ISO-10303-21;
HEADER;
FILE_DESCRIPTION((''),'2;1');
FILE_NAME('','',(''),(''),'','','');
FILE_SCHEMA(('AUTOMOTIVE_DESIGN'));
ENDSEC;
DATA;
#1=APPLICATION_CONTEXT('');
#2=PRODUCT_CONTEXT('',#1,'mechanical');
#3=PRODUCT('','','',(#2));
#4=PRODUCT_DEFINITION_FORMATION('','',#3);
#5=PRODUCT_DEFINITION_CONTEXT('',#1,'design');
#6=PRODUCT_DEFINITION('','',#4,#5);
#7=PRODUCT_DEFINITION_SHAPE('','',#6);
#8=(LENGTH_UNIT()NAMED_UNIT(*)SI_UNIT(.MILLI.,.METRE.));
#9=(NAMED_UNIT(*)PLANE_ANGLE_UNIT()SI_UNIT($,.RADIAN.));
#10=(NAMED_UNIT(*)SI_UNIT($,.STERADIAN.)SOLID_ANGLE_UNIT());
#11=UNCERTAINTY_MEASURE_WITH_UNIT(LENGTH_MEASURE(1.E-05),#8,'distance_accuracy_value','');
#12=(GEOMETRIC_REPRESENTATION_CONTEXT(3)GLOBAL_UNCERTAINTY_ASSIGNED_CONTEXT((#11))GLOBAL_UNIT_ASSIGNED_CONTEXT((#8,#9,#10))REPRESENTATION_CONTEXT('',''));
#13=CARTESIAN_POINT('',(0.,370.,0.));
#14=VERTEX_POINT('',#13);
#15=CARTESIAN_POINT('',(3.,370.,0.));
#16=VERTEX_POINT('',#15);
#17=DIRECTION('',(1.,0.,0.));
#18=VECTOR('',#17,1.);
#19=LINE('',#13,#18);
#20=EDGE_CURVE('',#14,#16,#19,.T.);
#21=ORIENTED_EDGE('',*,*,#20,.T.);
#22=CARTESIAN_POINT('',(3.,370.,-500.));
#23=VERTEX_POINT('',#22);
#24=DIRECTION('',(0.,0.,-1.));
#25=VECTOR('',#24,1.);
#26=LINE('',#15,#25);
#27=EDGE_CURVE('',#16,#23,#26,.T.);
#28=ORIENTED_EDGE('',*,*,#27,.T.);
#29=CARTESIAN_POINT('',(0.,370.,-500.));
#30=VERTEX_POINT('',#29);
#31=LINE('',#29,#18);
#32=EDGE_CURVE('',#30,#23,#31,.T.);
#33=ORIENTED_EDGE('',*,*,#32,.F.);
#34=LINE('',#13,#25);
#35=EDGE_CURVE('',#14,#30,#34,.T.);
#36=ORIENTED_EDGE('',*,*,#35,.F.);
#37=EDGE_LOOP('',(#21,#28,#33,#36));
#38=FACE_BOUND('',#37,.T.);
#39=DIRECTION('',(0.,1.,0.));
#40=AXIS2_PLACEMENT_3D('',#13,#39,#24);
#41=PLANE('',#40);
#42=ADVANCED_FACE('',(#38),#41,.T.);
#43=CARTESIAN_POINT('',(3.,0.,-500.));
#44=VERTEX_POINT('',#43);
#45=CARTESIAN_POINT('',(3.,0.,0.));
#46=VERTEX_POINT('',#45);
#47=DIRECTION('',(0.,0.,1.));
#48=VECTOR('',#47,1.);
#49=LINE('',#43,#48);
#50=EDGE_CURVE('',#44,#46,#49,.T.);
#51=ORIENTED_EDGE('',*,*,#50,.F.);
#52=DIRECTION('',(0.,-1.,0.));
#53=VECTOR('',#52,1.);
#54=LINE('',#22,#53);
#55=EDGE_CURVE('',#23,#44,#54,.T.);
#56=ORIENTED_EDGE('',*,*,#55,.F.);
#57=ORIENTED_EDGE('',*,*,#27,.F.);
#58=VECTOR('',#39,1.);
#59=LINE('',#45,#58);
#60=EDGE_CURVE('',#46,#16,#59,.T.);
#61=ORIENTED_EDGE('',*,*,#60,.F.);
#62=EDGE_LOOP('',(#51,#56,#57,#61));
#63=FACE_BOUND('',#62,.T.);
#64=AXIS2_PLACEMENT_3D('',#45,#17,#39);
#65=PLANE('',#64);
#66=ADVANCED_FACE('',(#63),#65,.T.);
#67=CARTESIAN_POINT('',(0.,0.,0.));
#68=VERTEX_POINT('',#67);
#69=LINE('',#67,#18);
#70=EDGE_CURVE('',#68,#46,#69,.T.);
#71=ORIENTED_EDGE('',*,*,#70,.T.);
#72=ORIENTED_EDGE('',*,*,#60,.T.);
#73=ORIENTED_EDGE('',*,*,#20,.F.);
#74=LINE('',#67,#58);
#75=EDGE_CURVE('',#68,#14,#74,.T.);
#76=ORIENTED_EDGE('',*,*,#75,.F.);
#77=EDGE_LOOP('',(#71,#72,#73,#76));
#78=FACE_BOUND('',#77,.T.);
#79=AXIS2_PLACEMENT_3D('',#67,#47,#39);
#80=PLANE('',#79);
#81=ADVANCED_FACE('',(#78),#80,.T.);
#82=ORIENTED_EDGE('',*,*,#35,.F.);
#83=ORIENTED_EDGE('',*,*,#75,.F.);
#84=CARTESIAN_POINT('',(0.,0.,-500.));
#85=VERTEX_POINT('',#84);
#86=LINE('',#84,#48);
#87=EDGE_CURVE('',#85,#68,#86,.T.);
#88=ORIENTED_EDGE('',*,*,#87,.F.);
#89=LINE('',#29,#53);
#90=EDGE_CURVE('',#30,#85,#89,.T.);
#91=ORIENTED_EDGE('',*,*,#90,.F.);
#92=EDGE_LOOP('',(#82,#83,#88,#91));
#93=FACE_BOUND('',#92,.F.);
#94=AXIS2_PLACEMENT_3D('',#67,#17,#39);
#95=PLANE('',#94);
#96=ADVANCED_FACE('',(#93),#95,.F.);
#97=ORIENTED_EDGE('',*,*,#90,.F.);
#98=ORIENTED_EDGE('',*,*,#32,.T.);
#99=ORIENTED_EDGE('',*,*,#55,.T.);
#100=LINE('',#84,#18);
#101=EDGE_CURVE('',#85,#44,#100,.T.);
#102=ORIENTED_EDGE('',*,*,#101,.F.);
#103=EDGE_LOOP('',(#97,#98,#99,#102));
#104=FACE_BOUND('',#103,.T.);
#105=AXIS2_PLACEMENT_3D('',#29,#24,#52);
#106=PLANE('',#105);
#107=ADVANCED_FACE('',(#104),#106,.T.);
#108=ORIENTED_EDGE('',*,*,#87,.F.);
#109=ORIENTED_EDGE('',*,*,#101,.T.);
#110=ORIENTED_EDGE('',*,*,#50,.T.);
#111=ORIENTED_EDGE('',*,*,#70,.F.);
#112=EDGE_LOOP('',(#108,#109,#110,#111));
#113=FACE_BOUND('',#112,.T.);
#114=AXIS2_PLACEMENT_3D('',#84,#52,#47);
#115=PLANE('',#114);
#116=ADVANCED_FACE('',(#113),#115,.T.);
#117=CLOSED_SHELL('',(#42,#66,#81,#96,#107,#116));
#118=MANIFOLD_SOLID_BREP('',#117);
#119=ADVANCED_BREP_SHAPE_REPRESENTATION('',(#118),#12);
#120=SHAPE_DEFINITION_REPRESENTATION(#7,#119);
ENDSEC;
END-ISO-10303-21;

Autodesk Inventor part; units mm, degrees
ref_plane "YZ Plane" through (0, 0, 0) normal (1, 0, 0) x (0, 1, 0)
ref_plane "XZ Plane" through (0, 0, 0) normal (0, 1, 0) x (-1, 0, 0)
ref_plane "XY Plane" through (0, 0, 0) normal (0, 0, 1) x (1, 0, 0)
sketch "Sketch1" plane through (0, 0, 0) normal (1, 0, 0) x (0, 1, 0)
  line L0 (0, 0) -> (370, 0)
  line L1 (370, 0) -> (370, -500)
  line L2 (370, -500) -> (0, -500)
  line L3 (0, -500) -> (0, 0)
  dimension "d0" = 370
  dimension "d1" = 500
extrude "Extrusion1" add sketch "Sketch1" along normal blind 3
properties part number "Width plate" material "Polycarbonate, Clear"
